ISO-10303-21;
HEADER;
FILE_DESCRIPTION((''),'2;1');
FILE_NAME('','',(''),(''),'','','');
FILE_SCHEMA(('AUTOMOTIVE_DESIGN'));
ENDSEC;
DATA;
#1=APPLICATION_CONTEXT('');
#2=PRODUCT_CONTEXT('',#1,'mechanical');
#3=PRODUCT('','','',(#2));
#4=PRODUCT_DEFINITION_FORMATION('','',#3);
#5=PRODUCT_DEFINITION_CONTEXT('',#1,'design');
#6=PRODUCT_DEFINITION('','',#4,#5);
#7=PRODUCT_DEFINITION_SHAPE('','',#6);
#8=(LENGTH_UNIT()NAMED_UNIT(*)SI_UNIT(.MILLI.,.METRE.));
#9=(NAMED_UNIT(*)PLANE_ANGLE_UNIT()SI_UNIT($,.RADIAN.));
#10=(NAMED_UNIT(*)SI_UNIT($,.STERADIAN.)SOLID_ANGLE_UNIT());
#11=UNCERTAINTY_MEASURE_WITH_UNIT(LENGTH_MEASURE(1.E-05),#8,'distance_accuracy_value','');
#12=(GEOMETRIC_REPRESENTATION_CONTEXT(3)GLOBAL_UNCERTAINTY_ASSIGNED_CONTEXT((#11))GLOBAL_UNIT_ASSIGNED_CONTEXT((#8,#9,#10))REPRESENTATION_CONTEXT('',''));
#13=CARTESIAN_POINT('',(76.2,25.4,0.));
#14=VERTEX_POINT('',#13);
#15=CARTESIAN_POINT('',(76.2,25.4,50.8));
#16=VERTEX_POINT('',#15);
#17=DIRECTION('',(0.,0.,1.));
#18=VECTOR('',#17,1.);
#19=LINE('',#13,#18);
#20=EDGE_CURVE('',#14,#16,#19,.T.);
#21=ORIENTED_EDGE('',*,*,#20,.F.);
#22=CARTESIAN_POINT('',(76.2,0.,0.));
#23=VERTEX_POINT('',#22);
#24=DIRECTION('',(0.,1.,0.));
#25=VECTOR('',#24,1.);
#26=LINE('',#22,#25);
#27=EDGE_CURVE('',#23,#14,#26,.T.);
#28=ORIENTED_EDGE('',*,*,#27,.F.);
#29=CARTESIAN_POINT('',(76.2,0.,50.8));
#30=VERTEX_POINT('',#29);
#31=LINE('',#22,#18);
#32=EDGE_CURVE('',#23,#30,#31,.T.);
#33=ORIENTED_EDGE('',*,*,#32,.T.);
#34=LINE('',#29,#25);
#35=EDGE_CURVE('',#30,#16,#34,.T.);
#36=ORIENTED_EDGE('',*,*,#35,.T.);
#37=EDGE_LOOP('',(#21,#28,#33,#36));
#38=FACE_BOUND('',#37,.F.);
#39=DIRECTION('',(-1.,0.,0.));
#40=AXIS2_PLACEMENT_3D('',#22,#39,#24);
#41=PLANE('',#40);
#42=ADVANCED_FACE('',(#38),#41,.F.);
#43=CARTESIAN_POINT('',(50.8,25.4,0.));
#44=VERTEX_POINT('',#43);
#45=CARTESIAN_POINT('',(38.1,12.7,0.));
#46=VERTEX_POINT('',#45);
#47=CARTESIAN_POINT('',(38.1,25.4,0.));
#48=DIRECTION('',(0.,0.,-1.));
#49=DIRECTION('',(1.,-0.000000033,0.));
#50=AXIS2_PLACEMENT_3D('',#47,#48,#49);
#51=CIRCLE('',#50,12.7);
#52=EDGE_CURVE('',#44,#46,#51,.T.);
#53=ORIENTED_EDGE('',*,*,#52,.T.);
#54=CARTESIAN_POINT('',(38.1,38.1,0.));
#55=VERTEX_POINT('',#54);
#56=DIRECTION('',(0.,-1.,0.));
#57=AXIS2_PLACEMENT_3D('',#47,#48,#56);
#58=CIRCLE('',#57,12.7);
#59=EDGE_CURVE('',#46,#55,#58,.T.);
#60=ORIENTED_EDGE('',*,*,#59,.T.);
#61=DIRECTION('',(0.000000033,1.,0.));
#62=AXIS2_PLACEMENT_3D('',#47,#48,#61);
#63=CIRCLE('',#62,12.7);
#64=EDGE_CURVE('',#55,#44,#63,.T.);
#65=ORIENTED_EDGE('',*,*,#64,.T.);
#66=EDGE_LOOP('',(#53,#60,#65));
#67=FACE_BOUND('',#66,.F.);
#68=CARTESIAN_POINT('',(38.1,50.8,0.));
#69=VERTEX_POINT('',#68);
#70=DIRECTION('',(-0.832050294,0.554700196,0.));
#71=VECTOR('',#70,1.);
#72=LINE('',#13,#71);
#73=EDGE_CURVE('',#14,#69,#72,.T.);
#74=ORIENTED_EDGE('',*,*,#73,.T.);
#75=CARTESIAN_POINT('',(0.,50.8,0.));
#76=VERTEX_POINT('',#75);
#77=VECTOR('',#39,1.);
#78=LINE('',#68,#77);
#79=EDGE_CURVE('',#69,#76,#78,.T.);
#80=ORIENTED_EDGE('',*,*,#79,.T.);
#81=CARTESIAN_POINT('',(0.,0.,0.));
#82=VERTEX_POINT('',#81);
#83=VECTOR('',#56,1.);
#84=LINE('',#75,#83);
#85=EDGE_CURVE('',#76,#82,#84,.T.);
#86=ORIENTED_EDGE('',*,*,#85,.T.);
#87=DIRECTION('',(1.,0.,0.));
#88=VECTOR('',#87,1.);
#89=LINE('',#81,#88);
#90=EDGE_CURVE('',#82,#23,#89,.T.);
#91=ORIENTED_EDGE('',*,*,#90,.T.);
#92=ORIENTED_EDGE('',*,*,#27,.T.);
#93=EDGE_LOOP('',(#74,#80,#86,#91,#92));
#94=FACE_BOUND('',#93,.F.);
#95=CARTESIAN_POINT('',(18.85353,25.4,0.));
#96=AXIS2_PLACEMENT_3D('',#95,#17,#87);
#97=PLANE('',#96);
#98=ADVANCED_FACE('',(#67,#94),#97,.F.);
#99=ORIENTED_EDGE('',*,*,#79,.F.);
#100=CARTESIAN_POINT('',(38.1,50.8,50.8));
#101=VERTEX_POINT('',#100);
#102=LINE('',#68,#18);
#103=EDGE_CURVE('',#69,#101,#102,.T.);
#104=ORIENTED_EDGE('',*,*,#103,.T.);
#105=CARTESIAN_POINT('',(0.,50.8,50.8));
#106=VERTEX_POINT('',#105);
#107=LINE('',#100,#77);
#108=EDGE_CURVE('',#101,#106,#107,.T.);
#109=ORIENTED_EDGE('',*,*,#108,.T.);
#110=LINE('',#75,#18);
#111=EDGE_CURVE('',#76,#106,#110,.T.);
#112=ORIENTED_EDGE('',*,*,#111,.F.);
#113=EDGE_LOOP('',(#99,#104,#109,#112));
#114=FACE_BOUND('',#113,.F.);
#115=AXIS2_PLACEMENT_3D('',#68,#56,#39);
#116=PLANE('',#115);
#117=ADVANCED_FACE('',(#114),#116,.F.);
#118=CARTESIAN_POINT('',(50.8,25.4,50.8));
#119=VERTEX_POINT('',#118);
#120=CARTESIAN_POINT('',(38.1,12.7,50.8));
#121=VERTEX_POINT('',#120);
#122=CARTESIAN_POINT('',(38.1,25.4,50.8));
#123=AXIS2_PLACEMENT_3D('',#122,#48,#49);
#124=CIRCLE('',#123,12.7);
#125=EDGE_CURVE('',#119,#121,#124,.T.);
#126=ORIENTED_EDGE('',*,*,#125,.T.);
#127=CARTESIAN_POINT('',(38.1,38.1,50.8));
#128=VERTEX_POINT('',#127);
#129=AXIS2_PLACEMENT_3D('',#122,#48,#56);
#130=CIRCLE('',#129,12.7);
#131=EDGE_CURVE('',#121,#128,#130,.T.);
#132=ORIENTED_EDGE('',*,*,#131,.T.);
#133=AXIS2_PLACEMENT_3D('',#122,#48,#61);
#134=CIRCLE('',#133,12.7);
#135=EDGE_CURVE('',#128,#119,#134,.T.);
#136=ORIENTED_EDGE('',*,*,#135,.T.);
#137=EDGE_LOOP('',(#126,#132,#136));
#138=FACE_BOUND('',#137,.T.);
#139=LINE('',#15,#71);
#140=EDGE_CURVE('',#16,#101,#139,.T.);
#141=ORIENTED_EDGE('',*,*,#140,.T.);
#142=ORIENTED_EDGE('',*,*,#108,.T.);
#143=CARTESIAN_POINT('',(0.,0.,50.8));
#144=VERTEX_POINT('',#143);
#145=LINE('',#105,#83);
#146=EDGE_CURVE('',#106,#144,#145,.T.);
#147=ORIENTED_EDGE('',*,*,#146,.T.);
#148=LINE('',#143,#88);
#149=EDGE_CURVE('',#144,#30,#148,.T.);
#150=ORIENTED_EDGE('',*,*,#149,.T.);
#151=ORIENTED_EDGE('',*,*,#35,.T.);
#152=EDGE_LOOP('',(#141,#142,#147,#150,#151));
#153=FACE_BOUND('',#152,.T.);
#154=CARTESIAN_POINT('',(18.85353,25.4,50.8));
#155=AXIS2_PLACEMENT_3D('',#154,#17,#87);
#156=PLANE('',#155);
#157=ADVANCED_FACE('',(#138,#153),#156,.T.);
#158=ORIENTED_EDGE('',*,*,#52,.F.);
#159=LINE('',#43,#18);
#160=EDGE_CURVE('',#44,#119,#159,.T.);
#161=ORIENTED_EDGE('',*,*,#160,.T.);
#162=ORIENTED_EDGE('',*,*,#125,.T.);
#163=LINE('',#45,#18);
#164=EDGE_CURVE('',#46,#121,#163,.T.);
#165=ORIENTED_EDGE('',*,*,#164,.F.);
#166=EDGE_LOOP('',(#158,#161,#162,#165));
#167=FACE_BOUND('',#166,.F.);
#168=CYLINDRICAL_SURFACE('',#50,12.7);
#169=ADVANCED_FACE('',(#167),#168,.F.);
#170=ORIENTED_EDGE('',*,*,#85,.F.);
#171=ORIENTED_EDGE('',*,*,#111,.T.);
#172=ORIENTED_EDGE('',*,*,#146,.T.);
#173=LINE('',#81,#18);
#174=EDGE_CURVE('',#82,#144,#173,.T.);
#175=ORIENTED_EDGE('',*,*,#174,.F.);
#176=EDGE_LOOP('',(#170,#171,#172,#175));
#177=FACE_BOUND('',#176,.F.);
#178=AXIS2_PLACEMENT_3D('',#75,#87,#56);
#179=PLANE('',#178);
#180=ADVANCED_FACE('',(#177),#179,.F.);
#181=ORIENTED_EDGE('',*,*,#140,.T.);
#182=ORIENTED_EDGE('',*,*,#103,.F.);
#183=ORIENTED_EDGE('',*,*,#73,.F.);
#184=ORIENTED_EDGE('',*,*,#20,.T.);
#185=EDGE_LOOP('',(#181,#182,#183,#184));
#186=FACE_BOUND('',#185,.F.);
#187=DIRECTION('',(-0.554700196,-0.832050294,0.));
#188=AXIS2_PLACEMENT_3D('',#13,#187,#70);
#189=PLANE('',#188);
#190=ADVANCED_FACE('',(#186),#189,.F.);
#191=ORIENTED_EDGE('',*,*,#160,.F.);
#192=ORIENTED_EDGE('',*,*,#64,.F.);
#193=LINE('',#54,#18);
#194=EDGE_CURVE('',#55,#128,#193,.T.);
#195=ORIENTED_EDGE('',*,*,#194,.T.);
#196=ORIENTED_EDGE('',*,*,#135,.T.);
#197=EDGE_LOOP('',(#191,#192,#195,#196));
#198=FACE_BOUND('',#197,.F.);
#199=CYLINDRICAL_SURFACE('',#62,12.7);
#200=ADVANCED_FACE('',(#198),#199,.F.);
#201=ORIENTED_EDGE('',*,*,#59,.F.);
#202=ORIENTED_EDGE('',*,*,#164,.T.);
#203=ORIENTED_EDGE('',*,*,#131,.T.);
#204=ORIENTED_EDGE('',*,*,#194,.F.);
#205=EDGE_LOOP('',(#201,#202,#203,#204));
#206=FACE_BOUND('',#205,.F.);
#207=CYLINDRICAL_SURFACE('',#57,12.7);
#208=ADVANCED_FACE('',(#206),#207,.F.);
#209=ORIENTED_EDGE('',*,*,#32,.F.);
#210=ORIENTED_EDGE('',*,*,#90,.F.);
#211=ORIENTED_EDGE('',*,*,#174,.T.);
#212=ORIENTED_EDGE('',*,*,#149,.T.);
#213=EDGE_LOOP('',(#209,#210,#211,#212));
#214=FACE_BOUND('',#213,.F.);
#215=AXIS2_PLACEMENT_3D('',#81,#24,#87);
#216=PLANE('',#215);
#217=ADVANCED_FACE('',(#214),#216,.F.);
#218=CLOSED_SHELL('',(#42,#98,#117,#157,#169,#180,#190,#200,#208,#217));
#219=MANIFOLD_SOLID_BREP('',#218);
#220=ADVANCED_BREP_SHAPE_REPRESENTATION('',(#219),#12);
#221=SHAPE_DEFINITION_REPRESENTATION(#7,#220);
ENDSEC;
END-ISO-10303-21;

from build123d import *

# Parameters (mm, degrees)
F1_DEPTH = 50.8


with BuildPart() as f1:
    # F0 (on Top) → F1 (new body)
    with BuildSketch(Plane.XY):
        with BuildLine():
            Line((38.1, 50.8), (0, 50.8))
            Line((0, 50.8), (0, 0))
            Line((0, 0), (38.1, 0))
            Line((38.1, 0), (38.1, 12.7))
            ThreePointArc((38.1, 12.7), (25.4, 25.4), (38.1, 38.1))
            Line((38.1, 38.1), (38.1, 50.8))
        make_face()
        with BuildLine():
            Line((76.2, 25.4), (38.1, 50.8))
            Line((38.1, 50.8), (38.1, 38.1))
            ThreePointArc((38.1, 38.1), (47.080256, 34.380256), (50.8, 25.4))
            Line((50.8, 25.4), (76.2, 25.4))
        make_face()
        with BuildLine():
            Line((76.2, 0), (76.2, 25.4))
            Line((76.2, 25.4), (50.8, 25.4))
            ThreePointArc((50.8, 25.4), (47.080256, 16.419744), (38.1, 12.7))
            Line((38.1, 12.7), (38.1, 0))
            Line((38.1, 0), (76.2, 0))
        make_face()
    extrude(amount=F1_DEPTH)


solid = f1.part
